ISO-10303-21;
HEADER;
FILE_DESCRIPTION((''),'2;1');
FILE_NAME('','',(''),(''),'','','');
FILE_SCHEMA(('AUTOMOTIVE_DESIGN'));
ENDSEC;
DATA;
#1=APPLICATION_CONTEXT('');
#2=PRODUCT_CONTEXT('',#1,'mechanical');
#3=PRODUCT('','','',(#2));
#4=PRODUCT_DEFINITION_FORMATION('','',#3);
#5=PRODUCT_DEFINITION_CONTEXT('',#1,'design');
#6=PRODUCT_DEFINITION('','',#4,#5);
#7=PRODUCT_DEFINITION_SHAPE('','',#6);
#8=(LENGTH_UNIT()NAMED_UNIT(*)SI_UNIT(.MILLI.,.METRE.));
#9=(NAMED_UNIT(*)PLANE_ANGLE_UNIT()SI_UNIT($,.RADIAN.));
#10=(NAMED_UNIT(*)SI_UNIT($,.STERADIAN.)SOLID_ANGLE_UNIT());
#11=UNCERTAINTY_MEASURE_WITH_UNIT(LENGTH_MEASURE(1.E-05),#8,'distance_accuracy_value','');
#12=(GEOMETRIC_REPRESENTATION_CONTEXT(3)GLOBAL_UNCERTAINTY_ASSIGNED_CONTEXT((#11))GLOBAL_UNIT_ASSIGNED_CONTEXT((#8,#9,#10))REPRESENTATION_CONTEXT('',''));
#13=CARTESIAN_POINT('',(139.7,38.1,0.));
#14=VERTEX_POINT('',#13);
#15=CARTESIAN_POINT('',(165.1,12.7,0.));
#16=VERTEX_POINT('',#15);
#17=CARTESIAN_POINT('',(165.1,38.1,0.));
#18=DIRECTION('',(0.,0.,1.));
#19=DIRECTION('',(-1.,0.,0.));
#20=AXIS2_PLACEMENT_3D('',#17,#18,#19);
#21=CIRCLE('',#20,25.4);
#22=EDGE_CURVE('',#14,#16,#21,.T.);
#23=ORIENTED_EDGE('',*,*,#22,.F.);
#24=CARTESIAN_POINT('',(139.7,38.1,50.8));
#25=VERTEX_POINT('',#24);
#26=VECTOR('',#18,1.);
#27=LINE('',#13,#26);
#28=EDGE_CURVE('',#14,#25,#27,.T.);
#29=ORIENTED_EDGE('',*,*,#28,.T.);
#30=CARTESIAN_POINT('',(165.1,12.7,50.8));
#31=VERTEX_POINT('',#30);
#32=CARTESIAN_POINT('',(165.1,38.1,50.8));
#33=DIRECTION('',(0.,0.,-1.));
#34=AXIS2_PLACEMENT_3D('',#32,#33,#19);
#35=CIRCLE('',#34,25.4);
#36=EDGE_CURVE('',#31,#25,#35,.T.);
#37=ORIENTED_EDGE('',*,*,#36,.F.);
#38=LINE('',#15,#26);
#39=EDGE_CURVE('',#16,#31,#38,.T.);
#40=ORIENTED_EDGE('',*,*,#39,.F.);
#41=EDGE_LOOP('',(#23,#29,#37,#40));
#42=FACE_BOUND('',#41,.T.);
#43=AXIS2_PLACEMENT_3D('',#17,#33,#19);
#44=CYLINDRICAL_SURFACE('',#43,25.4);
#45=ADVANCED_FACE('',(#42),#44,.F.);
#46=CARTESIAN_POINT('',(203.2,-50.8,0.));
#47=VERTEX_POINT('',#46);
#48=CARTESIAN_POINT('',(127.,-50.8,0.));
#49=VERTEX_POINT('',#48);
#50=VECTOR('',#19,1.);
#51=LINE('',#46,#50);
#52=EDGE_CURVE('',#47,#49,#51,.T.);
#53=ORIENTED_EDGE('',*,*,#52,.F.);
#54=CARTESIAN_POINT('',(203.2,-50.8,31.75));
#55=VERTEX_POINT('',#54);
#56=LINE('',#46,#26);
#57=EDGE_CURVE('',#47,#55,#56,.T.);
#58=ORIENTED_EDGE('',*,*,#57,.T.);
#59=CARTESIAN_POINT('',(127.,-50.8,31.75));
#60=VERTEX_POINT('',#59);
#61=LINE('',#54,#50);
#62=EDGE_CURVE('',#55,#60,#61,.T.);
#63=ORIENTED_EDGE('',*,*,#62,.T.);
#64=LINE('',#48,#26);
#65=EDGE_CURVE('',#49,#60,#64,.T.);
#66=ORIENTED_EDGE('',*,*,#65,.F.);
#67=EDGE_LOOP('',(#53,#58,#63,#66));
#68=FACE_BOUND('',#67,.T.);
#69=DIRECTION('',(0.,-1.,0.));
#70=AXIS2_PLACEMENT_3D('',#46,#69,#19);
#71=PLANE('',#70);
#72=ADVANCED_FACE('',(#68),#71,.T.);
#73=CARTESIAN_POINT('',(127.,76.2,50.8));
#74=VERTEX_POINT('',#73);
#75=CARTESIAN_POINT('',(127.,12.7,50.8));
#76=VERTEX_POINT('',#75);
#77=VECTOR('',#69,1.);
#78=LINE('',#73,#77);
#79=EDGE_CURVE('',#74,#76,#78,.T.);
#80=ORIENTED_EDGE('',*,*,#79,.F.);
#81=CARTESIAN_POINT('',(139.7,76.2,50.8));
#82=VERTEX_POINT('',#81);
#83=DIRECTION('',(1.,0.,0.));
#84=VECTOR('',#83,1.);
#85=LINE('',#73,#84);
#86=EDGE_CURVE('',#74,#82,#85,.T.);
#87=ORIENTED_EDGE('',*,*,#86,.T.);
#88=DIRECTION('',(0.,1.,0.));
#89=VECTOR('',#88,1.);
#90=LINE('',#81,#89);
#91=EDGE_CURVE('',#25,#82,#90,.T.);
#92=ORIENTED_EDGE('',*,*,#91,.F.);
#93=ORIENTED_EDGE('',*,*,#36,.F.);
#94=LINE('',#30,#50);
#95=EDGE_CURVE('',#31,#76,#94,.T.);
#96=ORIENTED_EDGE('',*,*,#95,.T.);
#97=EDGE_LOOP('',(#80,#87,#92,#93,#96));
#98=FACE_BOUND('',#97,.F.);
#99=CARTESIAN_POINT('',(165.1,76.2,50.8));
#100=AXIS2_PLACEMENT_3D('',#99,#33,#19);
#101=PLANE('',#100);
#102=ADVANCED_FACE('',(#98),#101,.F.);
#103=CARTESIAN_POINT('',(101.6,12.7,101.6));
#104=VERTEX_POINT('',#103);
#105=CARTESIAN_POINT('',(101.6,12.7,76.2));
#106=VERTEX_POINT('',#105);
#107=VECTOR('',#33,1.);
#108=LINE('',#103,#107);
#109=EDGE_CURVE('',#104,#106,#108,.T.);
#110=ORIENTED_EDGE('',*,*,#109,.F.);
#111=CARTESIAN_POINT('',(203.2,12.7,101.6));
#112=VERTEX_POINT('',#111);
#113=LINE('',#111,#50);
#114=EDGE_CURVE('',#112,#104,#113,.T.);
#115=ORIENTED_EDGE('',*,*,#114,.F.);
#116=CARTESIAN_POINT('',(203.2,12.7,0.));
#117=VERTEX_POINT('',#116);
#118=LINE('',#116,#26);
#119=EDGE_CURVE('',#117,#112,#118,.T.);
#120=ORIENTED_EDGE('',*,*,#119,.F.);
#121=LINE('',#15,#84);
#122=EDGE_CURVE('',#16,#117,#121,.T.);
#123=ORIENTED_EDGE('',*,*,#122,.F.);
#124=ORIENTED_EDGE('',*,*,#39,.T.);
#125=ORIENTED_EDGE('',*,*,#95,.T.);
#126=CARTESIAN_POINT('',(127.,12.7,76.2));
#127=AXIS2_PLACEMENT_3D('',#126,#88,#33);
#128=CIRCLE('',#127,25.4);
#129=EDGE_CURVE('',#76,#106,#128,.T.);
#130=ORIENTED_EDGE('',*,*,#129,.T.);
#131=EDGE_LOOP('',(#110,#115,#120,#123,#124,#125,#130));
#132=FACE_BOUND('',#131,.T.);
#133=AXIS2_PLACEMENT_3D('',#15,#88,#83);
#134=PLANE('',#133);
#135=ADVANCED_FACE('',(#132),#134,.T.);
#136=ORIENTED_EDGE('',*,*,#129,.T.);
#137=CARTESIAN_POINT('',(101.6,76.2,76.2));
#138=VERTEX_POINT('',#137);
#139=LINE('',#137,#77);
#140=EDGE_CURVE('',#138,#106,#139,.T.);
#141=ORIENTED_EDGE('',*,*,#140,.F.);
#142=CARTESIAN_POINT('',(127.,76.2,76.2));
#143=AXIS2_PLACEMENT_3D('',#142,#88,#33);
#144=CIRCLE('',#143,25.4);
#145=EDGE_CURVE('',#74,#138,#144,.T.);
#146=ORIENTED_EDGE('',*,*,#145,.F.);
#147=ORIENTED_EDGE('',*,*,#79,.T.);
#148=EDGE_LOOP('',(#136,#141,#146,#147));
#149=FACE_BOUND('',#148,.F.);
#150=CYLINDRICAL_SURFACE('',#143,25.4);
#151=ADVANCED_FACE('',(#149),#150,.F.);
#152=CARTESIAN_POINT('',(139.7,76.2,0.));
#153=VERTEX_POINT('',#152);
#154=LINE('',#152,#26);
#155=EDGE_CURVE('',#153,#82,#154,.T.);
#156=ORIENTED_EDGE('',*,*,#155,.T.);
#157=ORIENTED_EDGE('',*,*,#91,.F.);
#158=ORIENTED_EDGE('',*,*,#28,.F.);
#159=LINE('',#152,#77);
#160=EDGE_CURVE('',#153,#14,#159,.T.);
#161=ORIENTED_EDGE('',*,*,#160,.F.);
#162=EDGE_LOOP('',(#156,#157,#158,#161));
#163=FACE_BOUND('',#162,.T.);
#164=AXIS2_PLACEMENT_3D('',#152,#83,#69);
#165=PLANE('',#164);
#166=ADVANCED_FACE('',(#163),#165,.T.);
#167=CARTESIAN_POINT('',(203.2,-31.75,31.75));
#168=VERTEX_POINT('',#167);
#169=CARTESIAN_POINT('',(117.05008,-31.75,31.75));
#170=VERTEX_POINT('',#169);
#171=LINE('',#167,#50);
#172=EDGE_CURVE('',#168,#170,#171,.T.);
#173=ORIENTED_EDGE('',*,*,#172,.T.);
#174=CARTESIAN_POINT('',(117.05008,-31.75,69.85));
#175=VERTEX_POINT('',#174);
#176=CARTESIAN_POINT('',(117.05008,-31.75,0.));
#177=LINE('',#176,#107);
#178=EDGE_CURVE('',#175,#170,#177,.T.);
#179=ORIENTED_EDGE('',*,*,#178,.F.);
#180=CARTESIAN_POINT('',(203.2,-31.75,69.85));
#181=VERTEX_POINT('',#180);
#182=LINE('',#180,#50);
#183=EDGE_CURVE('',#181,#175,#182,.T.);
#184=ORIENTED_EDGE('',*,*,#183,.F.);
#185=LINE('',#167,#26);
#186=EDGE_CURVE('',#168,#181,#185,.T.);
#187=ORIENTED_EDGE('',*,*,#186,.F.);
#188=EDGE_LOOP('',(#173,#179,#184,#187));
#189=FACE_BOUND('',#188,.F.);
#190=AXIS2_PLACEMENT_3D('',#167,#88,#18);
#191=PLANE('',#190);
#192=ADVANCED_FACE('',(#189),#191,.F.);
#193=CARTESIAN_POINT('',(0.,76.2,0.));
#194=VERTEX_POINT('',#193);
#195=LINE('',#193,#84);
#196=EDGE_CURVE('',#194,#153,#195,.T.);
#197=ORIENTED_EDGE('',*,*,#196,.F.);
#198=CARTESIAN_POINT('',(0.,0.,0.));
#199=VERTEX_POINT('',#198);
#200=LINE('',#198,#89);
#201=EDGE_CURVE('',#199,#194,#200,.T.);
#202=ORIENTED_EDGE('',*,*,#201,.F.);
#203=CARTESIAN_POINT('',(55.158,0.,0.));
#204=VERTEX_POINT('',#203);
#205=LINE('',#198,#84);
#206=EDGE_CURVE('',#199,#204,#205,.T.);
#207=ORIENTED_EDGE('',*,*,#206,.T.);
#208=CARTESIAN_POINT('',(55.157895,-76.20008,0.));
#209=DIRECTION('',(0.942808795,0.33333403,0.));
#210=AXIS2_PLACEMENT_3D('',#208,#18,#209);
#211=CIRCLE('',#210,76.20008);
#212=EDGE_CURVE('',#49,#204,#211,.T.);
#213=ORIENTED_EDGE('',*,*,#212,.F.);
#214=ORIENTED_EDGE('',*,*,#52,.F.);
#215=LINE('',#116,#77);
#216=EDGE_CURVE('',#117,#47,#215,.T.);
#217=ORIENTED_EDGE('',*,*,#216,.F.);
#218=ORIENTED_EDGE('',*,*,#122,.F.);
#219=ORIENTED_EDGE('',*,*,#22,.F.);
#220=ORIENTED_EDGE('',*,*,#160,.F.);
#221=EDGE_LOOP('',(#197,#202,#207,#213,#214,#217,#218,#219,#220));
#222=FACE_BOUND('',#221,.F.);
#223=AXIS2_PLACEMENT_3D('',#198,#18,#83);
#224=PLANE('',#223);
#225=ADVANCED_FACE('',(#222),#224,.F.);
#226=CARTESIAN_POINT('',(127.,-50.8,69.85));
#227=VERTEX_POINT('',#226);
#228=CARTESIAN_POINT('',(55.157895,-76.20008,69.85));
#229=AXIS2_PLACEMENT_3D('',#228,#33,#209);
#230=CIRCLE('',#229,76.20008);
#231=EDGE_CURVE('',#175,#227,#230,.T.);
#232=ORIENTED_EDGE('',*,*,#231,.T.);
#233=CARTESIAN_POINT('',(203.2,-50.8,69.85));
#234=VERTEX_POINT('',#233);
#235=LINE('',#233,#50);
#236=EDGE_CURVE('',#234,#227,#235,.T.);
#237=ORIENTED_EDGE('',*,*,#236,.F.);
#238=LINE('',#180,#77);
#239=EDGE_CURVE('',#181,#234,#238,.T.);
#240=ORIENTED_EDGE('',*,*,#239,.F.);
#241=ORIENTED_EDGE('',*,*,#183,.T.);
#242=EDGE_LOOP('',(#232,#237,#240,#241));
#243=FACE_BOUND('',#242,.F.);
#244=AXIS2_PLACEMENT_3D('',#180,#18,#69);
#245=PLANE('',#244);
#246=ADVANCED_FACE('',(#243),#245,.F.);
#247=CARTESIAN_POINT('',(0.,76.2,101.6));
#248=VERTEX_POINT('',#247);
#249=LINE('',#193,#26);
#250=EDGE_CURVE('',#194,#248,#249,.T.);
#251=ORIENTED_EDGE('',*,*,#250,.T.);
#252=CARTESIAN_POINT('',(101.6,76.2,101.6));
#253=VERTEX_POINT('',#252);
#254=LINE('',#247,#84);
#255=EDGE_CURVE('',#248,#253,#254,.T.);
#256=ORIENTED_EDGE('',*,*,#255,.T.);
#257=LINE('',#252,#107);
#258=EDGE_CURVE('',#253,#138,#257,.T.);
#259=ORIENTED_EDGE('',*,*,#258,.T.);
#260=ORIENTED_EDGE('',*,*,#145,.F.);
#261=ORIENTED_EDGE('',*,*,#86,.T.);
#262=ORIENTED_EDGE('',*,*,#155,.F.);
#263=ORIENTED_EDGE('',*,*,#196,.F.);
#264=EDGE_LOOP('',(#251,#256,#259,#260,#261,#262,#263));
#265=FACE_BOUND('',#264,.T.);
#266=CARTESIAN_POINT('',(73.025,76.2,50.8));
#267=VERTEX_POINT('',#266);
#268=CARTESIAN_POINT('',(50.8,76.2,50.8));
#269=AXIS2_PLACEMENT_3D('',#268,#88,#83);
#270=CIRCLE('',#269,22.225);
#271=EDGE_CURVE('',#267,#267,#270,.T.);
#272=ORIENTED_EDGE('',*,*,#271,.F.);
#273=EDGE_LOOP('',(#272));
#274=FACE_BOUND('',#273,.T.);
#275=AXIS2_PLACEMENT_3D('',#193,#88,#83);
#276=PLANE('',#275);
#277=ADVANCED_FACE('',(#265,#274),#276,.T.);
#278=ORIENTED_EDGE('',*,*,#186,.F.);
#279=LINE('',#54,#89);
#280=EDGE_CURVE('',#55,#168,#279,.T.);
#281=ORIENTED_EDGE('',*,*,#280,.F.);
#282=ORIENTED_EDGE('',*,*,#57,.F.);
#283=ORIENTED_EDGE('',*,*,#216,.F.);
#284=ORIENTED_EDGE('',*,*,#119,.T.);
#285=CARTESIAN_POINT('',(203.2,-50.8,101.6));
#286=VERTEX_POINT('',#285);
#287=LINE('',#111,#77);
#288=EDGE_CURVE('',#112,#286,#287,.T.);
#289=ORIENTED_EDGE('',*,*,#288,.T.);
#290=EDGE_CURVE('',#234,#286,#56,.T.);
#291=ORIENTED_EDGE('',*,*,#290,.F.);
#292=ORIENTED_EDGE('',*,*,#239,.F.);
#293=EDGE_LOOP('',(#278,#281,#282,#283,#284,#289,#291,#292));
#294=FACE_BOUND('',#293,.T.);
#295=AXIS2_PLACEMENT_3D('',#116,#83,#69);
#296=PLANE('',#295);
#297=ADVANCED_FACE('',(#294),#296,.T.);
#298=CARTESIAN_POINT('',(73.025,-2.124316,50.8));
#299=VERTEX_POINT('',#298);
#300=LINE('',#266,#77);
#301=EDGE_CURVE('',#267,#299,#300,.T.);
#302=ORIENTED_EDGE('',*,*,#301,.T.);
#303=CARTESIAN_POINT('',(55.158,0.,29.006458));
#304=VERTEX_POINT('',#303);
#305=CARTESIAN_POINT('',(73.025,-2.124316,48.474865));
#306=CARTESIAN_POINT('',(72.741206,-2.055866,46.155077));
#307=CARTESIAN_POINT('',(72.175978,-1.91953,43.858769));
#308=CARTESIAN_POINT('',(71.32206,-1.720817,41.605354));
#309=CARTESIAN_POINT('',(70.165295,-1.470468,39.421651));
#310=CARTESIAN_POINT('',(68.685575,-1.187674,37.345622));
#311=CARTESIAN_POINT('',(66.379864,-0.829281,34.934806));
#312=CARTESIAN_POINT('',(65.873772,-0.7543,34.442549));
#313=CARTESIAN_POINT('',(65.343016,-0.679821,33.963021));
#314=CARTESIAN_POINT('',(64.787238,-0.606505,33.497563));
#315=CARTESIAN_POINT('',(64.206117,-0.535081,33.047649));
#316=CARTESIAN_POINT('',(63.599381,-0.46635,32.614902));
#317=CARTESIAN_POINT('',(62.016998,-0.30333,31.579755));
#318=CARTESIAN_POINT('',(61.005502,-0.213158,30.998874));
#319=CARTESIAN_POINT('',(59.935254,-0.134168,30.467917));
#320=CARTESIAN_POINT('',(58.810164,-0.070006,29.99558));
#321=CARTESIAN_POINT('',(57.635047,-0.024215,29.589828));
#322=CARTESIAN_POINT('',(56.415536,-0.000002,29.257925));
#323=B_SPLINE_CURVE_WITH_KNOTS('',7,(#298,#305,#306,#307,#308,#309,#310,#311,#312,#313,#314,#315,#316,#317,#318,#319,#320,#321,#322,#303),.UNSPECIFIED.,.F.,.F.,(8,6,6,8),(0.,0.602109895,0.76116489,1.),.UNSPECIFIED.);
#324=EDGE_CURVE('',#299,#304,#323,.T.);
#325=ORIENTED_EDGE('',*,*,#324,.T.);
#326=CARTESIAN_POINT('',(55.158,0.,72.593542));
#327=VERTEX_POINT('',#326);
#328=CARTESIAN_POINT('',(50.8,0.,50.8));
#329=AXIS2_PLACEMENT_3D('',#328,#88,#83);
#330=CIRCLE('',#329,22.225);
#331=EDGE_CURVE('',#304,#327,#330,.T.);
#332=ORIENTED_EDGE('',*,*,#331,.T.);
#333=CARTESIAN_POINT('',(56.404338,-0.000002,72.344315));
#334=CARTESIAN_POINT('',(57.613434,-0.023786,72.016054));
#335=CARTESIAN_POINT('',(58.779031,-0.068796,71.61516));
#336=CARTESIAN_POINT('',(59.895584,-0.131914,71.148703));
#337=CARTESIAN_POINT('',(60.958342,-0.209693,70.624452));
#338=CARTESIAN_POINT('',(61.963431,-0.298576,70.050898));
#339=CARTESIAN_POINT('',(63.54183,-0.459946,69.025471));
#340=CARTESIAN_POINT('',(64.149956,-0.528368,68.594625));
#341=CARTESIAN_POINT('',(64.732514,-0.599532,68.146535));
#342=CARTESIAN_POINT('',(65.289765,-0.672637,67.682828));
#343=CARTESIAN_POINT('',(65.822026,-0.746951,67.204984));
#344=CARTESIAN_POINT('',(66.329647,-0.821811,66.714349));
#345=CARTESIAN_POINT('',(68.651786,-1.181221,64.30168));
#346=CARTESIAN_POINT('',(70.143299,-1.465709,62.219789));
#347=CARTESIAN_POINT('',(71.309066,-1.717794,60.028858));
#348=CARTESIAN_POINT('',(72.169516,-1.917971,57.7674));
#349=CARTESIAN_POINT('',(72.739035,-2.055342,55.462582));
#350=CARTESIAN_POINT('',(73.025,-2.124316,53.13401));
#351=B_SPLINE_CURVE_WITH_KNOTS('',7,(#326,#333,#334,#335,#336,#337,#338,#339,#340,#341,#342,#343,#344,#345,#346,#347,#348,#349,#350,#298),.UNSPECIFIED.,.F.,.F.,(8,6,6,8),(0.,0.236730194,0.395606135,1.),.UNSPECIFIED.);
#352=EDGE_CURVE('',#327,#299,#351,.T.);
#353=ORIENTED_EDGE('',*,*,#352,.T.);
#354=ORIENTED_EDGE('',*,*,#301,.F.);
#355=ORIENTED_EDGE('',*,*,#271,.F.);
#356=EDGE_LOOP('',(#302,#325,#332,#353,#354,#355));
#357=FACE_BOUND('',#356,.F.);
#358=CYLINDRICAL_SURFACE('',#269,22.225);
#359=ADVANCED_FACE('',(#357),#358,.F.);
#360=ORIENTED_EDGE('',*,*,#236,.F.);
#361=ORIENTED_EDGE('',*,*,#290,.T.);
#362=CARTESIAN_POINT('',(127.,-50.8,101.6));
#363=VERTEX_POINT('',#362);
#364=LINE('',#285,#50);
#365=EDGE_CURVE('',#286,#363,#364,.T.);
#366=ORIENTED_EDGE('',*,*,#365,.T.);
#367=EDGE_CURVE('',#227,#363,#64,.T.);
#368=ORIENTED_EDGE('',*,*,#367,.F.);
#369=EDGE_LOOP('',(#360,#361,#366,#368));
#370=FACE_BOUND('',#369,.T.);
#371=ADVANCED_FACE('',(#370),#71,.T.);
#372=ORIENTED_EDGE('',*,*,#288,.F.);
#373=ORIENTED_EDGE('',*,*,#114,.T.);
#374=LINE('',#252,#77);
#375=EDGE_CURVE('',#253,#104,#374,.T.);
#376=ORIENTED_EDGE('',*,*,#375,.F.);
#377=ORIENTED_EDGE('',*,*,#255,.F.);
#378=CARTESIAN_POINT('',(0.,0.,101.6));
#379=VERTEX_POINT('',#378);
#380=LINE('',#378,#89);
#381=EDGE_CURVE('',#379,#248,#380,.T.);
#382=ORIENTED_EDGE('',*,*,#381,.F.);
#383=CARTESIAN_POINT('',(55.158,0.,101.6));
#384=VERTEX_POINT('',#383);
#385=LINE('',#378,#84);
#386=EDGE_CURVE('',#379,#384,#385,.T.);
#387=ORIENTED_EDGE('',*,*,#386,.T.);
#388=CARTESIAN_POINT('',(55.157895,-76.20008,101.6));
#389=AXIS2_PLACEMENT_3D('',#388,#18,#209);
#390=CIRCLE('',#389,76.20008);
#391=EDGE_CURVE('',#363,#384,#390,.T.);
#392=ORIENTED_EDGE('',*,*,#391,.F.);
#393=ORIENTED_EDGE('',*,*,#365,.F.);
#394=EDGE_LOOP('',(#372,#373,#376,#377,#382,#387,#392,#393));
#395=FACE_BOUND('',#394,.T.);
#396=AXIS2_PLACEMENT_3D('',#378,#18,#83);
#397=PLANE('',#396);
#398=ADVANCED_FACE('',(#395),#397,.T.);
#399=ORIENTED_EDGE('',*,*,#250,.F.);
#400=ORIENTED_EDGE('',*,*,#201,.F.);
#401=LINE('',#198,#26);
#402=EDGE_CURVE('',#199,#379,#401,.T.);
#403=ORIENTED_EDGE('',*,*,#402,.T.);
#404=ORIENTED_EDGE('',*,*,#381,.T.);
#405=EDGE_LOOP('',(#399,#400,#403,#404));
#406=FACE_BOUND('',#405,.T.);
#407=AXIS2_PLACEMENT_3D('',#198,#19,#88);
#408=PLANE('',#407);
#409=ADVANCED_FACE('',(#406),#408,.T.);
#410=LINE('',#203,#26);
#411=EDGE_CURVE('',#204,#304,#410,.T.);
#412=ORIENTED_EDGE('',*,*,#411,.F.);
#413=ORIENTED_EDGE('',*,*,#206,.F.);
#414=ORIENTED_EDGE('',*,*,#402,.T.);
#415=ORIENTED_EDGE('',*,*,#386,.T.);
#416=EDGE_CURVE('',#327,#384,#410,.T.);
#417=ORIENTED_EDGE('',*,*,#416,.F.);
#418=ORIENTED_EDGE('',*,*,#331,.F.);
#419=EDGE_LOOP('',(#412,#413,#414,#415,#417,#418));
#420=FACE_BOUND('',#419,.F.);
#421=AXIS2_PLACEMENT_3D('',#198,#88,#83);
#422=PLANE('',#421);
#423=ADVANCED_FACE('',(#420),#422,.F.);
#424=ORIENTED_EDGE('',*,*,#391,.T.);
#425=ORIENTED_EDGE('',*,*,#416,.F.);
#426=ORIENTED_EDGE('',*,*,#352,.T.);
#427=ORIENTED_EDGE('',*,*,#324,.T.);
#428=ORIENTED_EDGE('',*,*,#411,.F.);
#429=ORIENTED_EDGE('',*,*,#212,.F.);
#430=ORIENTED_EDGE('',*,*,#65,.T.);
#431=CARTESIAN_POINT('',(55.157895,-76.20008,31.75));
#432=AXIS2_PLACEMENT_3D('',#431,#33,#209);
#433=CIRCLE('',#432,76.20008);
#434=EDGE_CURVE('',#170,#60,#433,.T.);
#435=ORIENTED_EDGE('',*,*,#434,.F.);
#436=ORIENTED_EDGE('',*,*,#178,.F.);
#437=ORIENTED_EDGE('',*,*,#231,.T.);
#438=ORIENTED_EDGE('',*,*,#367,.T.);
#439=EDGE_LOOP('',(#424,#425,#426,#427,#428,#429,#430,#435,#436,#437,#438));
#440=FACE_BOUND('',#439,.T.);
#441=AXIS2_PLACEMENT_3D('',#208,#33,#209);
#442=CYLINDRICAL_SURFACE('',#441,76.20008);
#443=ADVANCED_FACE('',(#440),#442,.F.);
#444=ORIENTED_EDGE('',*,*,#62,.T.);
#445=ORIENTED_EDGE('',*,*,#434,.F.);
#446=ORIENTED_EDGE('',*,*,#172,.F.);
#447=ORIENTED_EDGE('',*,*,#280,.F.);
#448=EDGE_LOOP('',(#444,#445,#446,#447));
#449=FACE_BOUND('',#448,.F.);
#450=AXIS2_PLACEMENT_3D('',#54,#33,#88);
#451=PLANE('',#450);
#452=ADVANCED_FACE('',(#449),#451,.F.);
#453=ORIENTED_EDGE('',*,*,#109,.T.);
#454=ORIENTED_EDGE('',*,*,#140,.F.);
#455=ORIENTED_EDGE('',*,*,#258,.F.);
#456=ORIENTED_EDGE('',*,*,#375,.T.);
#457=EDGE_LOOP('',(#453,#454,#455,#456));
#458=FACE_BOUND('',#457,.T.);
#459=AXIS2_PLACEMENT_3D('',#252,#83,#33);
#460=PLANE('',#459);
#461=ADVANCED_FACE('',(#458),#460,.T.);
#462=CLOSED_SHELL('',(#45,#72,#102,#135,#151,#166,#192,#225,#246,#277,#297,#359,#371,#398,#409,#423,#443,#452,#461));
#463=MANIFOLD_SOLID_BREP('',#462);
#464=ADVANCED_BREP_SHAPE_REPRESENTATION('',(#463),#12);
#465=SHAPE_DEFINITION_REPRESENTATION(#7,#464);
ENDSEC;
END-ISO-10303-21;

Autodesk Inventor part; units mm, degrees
ref_plane "YZ Plane" through (0, 0, 0) normal (1, 0, 0) x (0, 1, 0)
ref_plane "XZ Plane" through (0, 0, 0) normal (0, 1, 0) x (-1, 0, 0)
ref_plane "XY Plane" through (0, 0, 0) normal (0, 0, 1) x (1, 0, 0)
sketch "Sketch1" plane through (0, 0, 0) normal (0, 0, 1) x (1, 0, 0)
  line L0 (0, 0) -> (0, 76.2)
  line L1 (0, 76.2) -> (139.7, 76.2)
  line L2 (139.7, 76.2) -> (139.7, 38.1)
  line L3 (165.1, 12.7) -> (203.2, 12.7)
  line L4 (203.2, 12.7) -> (203.2, -50.8)
  line L5 (203.2, -50.8) -> (127, -50.8)
  line L6 (0, 0) -> (55.158, 0)
  arc A0 (139.7, 38.1) -> (165.1, 12.7) centre (165.1, 38.1) ccw
  arc A1 (127, -50.8) -> (55.158, 0) centre (55.158, -76.2) ccw
  dimension "d0" = 76.2
  dimension "d2" = 203.2
  dimension "d3" = 139.7
  dimension "d4" = 76.2
  dimension "d5" = 127
  dimension "d6" = 63.5
  dimension "d7" = 25.4
  dimension "d8" = 76.2
extrude "Extrusion1" add sketch "Sketch1" along normal blind 101.6
sketch "Sketch2" plane through (0, 76.2, 0) normal (0, 1, 0) x (1, 0, 0)
  line L0 (139.7, 0) -> (139.7, -50.8)
  line L1 (139.7, 0) -> (139.7, -101.6) projected
  line L2 (0, -101.6) -> (101.6, -101.6)
  line L3 (127, -101.6) -> (55.158, -101.6) projected
  line L4 (101.6, -101.6) -> (101.6, -76.2)
  line L5 (127, -50.8) -> (139.7, -50.8)
  arc A0 (127, -50.8) -> (101.6, -76.2) centre (127, -76.2) ccw
  line L6 (101.6, -101.6) -> (139.7, -101.6)
  line L7 (139.7, -101.6) -> (165.1, -101.6)
  line L8 (165.1, -101.6) -> (165.1, -50.8)
  line L9 (165.1, 0) -> (165.1, -101.6) projected
  line L10 (165.1, -50.8) -> (139.7, -50.8)
  point P0 (0, 0)
  dimension "d11" = 50.8
  dimension "d12" = 101.6
  dimension "d13" = 25.4
extrude "Extrusion3" cut sketch "Sketch2" against normal blind 63.5
sketch "Sketch3" plane through (0, 76.2, 0) normal (0, 1, 0) x (1, 0, 0)
  circle A0 centre (50.8, -50.8) radius 22.225
  line L0 (55.158, 0) -> (0, 0) projected
  line L1 (0, 0) -> (0, -101.6) projected
  dimension "d18" = 44.45
  dimension "d19" = 50.8
  dimension "d20" = 50.8
extrude "Extrusion4" cut sketch "Sketch3" against normal through all
sketch "Sketch4" plane through (203.2, -50.8, 0) normal (1, 0, 0) x (0, 0, -1)
  line L0 (0, 0) -> (-31.75, 0)
  line L1 (0, 0) -> (-101.6, 0) projected
  line L2 (-31.75, 0) -> (-31.75, 19.05)
  line L3 (-31.75, 19.05) -> (-69.85, 19.05)
  line L4 (-69.85, 19.05) -> (-69.85, 0)
  line L5 (-31.75, 0) -> (-69.85, 0)
  point P0 (0, 50.8)
  dimension "d23" = 31.75
  dimension "d24" = 19.05
  dimension "d25" = 38.1
extrude "Extrusion5" cut sketch "Sketch4" against normal through all
properties part number "HW 8 Part 1"
